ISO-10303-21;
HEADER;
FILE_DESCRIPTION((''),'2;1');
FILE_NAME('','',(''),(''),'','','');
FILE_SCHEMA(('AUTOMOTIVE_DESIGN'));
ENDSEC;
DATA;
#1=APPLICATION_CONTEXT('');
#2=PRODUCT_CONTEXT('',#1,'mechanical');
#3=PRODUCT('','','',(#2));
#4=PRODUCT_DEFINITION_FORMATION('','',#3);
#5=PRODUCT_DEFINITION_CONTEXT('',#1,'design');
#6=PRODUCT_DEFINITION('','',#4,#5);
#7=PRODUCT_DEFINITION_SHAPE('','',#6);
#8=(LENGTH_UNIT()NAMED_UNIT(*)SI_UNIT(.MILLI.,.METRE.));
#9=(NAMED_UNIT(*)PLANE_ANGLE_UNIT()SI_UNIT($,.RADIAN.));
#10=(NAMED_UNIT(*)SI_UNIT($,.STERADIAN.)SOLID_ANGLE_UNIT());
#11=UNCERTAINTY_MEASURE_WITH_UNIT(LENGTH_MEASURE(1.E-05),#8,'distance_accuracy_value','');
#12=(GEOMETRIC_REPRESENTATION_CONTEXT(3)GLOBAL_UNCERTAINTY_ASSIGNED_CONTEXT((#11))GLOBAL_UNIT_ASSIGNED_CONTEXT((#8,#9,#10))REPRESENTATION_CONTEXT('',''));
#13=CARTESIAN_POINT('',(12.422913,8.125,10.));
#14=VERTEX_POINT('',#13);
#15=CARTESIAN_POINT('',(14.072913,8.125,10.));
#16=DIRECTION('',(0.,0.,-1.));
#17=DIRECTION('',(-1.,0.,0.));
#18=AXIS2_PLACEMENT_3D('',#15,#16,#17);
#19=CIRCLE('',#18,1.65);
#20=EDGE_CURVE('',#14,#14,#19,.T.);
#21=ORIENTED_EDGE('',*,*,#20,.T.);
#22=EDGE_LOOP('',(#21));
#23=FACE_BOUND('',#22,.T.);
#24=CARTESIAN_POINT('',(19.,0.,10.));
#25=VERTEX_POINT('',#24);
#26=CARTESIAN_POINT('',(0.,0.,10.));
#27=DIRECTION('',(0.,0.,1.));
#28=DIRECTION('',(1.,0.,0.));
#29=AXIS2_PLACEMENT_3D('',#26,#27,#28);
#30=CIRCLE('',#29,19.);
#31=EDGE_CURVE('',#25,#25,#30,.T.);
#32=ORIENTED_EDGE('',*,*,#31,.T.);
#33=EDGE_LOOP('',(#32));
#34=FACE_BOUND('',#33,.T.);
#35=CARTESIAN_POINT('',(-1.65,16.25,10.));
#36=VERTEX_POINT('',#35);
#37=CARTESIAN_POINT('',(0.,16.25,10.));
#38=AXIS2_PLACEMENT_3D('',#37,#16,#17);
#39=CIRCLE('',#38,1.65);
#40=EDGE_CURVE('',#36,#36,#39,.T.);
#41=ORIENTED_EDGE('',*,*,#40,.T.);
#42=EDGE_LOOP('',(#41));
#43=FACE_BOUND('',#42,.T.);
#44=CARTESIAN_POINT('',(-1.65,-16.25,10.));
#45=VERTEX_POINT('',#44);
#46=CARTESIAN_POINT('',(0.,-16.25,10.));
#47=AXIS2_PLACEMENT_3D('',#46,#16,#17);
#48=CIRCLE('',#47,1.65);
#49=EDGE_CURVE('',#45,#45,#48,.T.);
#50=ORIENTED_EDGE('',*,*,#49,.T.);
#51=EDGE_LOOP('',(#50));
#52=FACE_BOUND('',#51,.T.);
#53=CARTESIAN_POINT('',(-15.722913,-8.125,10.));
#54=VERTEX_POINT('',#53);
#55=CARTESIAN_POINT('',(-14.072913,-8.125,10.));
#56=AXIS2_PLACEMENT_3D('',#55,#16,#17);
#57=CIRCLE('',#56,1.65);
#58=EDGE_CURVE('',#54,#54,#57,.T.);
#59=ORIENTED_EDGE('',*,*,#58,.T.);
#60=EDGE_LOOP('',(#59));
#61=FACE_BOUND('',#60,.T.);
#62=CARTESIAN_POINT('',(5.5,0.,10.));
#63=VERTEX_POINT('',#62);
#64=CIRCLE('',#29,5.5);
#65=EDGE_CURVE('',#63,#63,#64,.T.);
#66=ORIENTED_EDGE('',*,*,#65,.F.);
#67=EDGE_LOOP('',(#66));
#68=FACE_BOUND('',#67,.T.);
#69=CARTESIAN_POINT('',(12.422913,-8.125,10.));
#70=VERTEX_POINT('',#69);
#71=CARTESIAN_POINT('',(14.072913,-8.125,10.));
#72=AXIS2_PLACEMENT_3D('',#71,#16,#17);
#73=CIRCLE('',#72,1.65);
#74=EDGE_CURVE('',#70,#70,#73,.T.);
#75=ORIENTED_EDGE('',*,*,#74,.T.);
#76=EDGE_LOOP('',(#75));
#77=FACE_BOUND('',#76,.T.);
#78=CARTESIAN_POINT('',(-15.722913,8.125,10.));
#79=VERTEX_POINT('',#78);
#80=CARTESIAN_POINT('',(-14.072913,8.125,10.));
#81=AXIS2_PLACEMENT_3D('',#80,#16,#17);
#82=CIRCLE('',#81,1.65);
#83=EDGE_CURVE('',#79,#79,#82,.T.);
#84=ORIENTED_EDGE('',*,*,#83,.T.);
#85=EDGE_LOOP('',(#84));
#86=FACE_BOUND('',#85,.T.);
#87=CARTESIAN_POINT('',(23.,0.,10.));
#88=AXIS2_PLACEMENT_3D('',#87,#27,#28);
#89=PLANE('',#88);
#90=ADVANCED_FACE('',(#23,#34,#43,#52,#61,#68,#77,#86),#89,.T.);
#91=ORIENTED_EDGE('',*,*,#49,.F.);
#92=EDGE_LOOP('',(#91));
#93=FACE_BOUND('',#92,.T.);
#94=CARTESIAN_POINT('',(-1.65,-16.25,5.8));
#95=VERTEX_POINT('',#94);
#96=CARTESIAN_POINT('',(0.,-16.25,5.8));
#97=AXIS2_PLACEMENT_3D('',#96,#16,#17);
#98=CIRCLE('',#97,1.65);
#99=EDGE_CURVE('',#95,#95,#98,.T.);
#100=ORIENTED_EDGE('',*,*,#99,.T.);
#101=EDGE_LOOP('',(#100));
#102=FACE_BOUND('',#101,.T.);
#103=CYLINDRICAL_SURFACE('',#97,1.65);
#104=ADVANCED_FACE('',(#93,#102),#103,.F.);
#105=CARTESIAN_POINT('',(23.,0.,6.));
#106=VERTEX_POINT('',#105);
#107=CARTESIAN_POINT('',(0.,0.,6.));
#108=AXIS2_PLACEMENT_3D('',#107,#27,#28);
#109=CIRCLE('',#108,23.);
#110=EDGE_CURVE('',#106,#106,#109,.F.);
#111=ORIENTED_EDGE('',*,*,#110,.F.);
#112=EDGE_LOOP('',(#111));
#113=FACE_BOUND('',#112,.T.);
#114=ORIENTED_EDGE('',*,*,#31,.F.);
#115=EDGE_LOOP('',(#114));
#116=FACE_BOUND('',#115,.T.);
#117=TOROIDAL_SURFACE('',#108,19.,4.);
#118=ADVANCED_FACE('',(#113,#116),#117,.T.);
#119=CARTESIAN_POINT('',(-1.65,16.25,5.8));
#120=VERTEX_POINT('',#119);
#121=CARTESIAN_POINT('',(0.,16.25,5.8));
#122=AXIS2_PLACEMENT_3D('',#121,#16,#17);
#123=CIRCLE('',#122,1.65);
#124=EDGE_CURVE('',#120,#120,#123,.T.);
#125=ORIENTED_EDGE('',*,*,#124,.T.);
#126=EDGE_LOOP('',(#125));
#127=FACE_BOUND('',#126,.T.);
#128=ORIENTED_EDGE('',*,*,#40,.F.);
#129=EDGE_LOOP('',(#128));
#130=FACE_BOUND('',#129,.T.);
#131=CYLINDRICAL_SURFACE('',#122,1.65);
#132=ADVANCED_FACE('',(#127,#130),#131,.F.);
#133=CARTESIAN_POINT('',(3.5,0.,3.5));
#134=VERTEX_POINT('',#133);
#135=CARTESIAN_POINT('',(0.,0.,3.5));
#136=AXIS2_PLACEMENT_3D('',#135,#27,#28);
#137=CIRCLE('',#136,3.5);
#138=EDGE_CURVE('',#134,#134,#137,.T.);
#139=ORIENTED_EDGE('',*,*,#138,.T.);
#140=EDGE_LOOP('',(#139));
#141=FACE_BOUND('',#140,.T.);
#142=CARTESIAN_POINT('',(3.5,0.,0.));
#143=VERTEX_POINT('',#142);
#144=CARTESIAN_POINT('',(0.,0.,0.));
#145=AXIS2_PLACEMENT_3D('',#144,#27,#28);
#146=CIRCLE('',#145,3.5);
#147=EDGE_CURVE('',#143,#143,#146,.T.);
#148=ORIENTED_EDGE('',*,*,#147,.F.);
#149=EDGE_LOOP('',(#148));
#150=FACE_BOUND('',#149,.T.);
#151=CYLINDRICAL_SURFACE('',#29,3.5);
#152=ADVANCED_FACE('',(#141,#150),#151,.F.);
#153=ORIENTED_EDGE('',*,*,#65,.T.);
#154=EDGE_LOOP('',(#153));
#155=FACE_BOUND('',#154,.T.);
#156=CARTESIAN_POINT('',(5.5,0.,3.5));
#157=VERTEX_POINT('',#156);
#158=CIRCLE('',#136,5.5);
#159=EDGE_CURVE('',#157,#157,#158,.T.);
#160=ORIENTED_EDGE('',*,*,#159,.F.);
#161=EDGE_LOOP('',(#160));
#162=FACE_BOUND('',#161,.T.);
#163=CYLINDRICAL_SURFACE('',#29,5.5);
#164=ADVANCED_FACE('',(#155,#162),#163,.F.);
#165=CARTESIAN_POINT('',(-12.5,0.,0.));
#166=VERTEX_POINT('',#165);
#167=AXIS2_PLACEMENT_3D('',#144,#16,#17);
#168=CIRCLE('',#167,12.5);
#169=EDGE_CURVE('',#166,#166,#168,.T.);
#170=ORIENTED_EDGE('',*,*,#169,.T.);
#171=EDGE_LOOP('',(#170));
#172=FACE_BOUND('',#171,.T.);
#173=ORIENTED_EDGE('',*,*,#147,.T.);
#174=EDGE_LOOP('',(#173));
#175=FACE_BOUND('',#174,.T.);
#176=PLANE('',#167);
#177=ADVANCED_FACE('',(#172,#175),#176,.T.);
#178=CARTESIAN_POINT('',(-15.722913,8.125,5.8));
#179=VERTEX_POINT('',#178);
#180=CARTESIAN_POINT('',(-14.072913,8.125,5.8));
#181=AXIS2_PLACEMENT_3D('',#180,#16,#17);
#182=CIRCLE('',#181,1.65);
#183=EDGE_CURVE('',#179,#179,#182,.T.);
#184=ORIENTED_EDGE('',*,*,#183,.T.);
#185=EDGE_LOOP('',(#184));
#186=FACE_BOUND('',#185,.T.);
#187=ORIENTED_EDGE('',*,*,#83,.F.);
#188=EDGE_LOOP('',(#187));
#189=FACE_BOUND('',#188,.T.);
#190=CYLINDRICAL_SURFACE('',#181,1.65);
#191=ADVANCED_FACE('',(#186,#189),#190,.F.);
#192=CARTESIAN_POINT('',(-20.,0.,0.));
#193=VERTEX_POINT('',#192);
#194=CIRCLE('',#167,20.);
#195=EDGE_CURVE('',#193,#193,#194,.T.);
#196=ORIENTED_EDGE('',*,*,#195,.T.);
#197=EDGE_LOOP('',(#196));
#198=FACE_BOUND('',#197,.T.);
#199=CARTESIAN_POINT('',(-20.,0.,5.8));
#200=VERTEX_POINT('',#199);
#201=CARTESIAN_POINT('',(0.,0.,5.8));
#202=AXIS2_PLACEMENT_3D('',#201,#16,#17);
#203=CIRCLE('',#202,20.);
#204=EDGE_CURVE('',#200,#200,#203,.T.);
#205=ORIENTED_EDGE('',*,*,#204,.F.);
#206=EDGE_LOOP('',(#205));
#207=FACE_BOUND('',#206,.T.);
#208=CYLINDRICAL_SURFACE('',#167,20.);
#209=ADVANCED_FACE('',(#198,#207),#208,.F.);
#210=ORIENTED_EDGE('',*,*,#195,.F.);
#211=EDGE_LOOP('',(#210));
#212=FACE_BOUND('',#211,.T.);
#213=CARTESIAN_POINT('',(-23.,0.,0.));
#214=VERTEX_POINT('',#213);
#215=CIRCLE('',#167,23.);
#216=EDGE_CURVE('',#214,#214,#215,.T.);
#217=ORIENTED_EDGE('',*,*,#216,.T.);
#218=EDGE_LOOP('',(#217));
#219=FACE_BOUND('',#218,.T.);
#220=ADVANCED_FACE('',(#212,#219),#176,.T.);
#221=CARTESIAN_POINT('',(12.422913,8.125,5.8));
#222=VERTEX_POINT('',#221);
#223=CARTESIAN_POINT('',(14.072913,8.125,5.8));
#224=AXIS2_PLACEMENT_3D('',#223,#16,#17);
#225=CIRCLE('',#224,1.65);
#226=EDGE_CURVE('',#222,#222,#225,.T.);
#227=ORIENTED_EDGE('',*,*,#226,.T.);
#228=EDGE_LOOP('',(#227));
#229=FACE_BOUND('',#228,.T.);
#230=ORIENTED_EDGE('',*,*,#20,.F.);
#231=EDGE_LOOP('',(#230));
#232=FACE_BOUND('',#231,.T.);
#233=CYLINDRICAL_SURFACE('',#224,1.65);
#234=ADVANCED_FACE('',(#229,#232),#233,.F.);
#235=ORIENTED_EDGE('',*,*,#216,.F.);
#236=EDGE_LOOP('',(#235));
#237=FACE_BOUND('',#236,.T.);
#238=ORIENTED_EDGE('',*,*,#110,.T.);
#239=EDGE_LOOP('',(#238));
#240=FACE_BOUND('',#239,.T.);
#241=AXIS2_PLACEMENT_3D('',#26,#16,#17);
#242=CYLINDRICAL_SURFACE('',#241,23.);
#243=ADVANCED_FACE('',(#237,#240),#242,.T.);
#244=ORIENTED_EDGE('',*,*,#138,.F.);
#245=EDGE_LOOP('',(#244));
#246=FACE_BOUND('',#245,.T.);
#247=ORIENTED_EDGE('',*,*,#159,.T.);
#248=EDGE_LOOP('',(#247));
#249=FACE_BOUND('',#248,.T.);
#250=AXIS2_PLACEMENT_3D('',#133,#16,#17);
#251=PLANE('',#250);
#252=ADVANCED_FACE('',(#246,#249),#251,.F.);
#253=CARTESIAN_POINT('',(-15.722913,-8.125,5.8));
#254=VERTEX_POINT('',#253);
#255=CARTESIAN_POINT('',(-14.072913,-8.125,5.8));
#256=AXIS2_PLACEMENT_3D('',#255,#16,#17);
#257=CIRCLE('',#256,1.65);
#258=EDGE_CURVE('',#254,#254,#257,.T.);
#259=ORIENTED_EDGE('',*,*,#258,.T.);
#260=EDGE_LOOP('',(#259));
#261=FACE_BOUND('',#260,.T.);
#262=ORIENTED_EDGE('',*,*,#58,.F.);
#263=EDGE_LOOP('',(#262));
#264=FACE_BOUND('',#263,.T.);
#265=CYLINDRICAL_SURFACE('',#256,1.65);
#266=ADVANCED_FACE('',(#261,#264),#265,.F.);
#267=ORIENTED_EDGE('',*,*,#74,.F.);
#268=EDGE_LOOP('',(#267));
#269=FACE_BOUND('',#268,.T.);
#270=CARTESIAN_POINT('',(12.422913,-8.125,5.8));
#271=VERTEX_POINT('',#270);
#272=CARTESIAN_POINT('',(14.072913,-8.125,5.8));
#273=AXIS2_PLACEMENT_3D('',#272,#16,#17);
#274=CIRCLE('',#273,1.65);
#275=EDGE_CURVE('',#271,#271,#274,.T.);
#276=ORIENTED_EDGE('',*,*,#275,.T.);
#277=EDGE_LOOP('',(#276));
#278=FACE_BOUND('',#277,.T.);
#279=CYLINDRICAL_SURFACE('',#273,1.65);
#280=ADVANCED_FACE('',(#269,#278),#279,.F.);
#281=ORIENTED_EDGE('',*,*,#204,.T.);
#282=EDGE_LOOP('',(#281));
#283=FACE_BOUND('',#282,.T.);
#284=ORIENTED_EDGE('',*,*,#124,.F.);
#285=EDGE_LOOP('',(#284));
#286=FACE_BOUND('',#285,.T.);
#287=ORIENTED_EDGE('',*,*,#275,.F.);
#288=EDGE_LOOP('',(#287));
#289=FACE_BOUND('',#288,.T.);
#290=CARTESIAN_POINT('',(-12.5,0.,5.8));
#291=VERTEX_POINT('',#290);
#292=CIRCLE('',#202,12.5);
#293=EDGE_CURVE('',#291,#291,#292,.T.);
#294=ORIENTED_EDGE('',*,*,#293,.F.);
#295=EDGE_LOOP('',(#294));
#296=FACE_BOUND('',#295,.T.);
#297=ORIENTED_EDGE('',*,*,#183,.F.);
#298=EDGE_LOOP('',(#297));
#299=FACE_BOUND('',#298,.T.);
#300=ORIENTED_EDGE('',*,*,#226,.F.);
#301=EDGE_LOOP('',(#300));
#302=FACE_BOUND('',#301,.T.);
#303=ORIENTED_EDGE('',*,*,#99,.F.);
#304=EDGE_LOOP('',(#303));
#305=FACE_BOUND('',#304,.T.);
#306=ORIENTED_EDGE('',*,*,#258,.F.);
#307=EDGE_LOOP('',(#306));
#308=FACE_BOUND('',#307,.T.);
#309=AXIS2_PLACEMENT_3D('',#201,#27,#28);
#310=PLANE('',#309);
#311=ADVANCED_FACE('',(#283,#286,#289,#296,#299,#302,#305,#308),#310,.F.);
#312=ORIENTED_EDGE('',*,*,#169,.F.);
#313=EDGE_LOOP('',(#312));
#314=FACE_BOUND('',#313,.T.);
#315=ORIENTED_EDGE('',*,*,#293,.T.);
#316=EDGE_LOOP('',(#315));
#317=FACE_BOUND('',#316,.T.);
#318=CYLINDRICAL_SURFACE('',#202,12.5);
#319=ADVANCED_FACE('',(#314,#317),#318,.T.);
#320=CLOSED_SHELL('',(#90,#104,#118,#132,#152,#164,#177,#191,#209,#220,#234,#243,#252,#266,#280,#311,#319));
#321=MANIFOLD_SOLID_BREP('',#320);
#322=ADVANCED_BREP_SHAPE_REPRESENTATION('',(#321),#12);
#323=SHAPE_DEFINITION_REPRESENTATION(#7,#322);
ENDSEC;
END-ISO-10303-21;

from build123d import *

# Parameters (mm, degrees)
SKETCH1_W                      = 23
SKETCH1_H                      = 10
HOLE1_D                        = 40
HOLE1_DEPTH                    = 5.8
SKETCH4_W                      = 12.5
SKETCH4_H                      = 5.8
M4X0_7_TAPPED_HOLE1_D          = 3.3
CBORE_FOR_M6_SHCS1_D           = 7
CBORE_FOR_M6_SHCS1_CBORE_D     = 11
CBORE_FOR_M6_SHCS1_CBORE_DEPTH = 6.5
FILLET1_R                      = 4


with BuildPart() as part:
    # Sketch1 → Revolve1 (revolve)
    with BuildSketch(Plane.XZ, mode=Mode.PRIVATE) as revolve1_sk:
        with Locations((11.5, 5)):
            Rectangle(SKETCH1_W, SKETCH1_H)
    revolve(revolve1_sk.sketch.rotate(Axis((0, 0, 10), (0, 0, -1)), 180), axis=Axis((0, 0, 10), (0, 0, -1)))

    # Hole1
    with Locations(Plane(origin=(0, 0, 0), x_dir=(-1, 0, 0), z_dir=(0, 0, -1))):
        with Locations((0, 0)):
            Hole(HOLE1_D / 2, depth=HOLE1_DEPTH)

    # Sketch4 → Revolve2 (revolve)
    with BuildSketch(Plane.XZ, mode=Mode.PRIVATE) as revolve2_sk:
        with Locations((6.25, 2.9)):
            Rectangle(SKETCH4_W, SKETCH4_H)
    revolve(revolve2_sk.sketch.rotate(Axis((0, 0, 5.8), (0, 0, -1)), 180), axis=Axis((0, 0, 5.8), (0, 0, -1)))

    # M4x0.7 Tapped Hole1 (through all)
    with Locations(Plane(origin=(0, 0, 5.8), x_dir=(-1, 0, 0), z_dir=(0, 0, -1))):
        with Locations((-14.072912811, 8.125), (-14.072912811, -8.125), (0, -16.25), (14.072912811, -8.125), (14.072912811, 8.125), (0, 16.25)):
            Hole(M4X0_7_TAPPED_HOLE1_D / 2)

    # CBORE for M6 SHCS1 (through all)
    with Locations(Plane.XY.offset(10)):
        with Locations((0, 0)):
            CounterBoreHole(CBORE_FOR_M6_SHCS1_D / 2, CBORE_FOR_M6_SHCS1_CBORE_D / 2, CBORE_FOR_M6_SHCS1_CBORE_DEPTH)

    # Fillet1
    fillet1_edges = [part.edges().sort_by_distance(p)[0] for p in [
        (23, 0, 10),
    ]]
    fillet(fillet1_edges, radius=FILLET1_R)


solid = part.part
